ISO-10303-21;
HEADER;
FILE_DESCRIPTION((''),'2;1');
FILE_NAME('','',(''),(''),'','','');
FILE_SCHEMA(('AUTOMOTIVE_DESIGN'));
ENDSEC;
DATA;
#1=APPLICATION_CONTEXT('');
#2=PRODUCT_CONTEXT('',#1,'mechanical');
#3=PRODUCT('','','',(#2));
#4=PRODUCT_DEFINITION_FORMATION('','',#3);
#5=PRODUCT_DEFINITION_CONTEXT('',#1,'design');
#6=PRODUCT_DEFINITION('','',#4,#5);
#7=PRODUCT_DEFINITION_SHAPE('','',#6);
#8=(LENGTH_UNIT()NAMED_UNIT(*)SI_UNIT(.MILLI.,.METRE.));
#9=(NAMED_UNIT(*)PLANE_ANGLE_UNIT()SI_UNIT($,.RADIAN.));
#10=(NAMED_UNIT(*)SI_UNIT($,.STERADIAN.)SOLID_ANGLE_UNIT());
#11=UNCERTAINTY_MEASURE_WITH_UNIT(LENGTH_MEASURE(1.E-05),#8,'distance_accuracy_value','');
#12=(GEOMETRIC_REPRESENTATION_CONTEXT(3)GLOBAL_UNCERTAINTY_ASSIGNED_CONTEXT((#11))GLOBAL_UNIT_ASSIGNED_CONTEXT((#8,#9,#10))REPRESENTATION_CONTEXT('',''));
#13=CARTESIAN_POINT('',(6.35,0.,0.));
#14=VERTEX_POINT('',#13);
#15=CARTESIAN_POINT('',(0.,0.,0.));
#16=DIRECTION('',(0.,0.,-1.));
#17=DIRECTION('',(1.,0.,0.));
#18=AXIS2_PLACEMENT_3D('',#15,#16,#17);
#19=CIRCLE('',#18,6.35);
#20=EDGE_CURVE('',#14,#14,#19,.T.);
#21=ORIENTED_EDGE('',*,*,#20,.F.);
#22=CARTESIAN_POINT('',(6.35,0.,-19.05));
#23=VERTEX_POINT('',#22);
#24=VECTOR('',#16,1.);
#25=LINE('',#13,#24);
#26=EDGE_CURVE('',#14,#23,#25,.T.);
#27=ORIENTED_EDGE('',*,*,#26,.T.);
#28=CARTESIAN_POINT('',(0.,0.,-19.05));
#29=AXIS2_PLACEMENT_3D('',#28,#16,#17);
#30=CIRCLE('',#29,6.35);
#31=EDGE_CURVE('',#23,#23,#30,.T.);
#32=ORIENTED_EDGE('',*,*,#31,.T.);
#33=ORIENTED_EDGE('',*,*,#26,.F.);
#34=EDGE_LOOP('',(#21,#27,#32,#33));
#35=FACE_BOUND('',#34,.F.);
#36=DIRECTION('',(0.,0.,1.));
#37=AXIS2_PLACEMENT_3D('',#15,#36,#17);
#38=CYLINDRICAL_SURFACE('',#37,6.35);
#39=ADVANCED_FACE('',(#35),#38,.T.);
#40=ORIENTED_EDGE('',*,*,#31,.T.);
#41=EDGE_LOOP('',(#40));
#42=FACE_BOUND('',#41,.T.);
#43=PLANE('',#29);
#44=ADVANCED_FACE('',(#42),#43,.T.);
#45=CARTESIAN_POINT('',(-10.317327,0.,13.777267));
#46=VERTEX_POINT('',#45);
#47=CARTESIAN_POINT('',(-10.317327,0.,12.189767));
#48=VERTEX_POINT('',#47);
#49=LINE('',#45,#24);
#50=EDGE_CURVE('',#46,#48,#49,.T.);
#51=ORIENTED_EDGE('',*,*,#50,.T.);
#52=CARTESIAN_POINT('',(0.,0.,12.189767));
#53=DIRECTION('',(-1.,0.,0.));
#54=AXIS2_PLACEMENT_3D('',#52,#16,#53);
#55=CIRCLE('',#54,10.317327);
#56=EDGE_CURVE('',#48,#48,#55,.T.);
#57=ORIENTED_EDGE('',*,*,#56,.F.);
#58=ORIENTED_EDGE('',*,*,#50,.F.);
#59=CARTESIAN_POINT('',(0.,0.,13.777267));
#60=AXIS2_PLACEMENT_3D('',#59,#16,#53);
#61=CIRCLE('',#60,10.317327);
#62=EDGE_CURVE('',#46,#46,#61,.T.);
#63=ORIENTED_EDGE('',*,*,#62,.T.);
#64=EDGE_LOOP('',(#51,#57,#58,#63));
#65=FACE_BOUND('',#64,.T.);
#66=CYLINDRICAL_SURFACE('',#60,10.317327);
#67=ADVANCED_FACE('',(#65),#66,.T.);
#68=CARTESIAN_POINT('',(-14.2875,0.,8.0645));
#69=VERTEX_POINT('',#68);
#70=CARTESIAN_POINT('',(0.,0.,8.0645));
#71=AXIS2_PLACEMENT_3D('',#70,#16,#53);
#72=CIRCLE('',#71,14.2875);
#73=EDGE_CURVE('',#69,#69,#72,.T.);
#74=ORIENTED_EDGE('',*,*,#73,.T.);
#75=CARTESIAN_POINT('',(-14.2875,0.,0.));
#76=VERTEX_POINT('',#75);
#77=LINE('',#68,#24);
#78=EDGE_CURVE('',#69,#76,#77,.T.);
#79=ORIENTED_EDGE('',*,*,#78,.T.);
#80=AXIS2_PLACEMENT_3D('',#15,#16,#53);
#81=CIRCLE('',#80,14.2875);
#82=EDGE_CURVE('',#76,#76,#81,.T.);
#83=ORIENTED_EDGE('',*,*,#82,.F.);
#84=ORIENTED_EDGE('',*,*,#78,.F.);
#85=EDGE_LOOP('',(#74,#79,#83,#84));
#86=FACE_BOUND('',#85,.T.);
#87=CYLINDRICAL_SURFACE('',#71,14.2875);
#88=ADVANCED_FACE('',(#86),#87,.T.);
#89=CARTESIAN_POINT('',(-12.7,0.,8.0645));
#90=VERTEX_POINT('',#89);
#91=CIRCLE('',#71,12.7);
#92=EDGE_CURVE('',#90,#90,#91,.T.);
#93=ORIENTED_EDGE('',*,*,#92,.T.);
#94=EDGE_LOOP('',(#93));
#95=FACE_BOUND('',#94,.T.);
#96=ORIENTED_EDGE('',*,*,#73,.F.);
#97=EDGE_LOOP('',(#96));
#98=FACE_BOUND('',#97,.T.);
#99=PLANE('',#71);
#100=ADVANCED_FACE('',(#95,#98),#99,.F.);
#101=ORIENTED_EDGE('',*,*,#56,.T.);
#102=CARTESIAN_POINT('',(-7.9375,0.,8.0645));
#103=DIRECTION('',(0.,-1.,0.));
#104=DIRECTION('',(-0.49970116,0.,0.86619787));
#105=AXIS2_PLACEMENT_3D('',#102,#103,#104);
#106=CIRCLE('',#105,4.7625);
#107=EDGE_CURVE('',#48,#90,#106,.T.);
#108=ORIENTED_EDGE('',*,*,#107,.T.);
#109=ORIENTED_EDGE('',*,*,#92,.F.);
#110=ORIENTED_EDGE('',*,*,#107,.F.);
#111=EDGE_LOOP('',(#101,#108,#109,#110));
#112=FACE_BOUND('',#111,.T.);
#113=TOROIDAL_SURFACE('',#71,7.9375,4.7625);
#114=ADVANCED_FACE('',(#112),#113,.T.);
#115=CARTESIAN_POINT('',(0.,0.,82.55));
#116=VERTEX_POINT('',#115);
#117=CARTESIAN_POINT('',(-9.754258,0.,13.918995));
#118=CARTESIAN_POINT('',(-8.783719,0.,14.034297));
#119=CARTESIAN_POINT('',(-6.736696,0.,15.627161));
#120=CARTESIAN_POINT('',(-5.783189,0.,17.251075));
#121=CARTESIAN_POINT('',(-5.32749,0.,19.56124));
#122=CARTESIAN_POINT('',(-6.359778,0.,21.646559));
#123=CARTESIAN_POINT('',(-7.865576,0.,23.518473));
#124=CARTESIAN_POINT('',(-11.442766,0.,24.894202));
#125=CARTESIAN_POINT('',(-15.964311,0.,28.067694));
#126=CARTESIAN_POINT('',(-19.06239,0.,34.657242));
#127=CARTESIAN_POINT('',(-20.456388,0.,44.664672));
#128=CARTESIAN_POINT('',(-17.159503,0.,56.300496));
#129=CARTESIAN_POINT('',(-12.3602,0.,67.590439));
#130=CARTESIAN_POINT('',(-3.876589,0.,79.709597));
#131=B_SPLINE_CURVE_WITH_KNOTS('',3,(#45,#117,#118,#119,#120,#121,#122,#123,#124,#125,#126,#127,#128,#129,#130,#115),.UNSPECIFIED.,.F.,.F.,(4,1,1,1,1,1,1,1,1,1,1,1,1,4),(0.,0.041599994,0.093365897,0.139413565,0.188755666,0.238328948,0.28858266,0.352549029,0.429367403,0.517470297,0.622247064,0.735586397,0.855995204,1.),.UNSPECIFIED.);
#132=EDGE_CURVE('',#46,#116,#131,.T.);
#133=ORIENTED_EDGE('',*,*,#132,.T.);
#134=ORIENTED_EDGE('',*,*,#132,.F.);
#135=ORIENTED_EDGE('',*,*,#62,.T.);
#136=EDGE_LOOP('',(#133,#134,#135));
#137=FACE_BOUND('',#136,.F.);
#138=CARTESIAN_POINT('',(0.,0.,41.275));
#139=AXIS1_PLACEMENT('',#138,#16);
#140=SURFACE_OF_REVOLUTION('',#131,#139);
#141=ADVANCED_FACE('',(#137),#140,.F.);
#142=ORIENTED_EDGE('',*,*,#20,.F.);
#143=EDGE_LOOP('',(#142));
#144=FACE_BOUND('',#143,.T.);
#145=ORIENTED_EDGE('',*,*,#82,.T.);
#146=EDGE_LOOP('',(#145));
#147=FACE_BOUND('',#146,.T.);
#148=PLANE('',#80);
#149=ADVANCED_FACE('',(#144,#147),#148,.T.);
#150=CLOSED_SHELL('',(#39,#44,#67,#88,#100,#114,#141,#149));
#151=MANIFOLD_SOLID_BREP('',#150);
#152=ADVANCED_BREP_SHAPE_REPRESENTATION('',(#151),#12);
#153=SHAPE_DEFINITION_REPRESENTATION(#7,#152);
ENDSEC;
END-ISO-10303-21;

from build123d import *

# Parameters (mm, degrees)
F2_R     = 6.35
F3_DEPTH = 19.05


with BuildPart() as f1:
    # F0 (on Front) → F1 (revolve)
    with BuildSketch(Plane.XZ):
        with BuildLine():
            Line((-14.2875, 0), (0, 0))
            Line((0, 0), (0, 82.55))
            add(Edge.make_bspline(
                [(-10.3173267766, 13.7772673566), (-9.7542577342, 13.9189949448), (-8.7837192186, 14.0342974796), (-6.7366964189, 15.6271610186), (-5.7831889647, 17.2510746377), (-5.3274903025, 19.561240103), (-6.3597783763, 21.6465588891), (-7.8655763238, 23.5184731931), (-11.4427663168, 24.8942017837), (-15.9643108763, 28.067693587), (-19.0623897098, 34.6572420873), (-20.4563878975, 44.6646724068), (-17.1595032199, 56.3004961078), (-12.3601997394, 67.5904391591), (-3.8765890058, 79.7095969319), (0, 82.55)],
                knots=[0, 0, 0, 0, 0.0415999938, 0.0933658969, 0.139413565, 0.1887556661, 0.2383289481, 0.28858266, 0.352549029, 0.4293674027, 0.5174702969, 0.6222470639, 0.7355863968, 0.8559952045, 1, 1, 1, 1], degree=3))
            Line((-10.3173267766, 13.7772673566), (-10.3173267766, 12.1897673566))
            ThreePointArc((-10.3173267766, 12.1897673566), (-12.0615351158, 10.4464615054), (-12.7, 8.0645))
            Line((-12.7, 8.0645), (-14.2875, 8.0645))
            Line((-14.2875, 8.0645), (-14.2875, 0))
        make_face()
    revolve(axis=Axis((0, 0, 41.275), (0, 0, -1)))

    # F2 (on face) → F3 (join)
    with BuildSketch(Plane(origin=(0, 0, 0), x_dir=(1, 0, 0), z_dir=(0, 0, -1))):
        Circle(F2_R)
    extrude(amount=F3_DEPTH)


solid = f1.part
